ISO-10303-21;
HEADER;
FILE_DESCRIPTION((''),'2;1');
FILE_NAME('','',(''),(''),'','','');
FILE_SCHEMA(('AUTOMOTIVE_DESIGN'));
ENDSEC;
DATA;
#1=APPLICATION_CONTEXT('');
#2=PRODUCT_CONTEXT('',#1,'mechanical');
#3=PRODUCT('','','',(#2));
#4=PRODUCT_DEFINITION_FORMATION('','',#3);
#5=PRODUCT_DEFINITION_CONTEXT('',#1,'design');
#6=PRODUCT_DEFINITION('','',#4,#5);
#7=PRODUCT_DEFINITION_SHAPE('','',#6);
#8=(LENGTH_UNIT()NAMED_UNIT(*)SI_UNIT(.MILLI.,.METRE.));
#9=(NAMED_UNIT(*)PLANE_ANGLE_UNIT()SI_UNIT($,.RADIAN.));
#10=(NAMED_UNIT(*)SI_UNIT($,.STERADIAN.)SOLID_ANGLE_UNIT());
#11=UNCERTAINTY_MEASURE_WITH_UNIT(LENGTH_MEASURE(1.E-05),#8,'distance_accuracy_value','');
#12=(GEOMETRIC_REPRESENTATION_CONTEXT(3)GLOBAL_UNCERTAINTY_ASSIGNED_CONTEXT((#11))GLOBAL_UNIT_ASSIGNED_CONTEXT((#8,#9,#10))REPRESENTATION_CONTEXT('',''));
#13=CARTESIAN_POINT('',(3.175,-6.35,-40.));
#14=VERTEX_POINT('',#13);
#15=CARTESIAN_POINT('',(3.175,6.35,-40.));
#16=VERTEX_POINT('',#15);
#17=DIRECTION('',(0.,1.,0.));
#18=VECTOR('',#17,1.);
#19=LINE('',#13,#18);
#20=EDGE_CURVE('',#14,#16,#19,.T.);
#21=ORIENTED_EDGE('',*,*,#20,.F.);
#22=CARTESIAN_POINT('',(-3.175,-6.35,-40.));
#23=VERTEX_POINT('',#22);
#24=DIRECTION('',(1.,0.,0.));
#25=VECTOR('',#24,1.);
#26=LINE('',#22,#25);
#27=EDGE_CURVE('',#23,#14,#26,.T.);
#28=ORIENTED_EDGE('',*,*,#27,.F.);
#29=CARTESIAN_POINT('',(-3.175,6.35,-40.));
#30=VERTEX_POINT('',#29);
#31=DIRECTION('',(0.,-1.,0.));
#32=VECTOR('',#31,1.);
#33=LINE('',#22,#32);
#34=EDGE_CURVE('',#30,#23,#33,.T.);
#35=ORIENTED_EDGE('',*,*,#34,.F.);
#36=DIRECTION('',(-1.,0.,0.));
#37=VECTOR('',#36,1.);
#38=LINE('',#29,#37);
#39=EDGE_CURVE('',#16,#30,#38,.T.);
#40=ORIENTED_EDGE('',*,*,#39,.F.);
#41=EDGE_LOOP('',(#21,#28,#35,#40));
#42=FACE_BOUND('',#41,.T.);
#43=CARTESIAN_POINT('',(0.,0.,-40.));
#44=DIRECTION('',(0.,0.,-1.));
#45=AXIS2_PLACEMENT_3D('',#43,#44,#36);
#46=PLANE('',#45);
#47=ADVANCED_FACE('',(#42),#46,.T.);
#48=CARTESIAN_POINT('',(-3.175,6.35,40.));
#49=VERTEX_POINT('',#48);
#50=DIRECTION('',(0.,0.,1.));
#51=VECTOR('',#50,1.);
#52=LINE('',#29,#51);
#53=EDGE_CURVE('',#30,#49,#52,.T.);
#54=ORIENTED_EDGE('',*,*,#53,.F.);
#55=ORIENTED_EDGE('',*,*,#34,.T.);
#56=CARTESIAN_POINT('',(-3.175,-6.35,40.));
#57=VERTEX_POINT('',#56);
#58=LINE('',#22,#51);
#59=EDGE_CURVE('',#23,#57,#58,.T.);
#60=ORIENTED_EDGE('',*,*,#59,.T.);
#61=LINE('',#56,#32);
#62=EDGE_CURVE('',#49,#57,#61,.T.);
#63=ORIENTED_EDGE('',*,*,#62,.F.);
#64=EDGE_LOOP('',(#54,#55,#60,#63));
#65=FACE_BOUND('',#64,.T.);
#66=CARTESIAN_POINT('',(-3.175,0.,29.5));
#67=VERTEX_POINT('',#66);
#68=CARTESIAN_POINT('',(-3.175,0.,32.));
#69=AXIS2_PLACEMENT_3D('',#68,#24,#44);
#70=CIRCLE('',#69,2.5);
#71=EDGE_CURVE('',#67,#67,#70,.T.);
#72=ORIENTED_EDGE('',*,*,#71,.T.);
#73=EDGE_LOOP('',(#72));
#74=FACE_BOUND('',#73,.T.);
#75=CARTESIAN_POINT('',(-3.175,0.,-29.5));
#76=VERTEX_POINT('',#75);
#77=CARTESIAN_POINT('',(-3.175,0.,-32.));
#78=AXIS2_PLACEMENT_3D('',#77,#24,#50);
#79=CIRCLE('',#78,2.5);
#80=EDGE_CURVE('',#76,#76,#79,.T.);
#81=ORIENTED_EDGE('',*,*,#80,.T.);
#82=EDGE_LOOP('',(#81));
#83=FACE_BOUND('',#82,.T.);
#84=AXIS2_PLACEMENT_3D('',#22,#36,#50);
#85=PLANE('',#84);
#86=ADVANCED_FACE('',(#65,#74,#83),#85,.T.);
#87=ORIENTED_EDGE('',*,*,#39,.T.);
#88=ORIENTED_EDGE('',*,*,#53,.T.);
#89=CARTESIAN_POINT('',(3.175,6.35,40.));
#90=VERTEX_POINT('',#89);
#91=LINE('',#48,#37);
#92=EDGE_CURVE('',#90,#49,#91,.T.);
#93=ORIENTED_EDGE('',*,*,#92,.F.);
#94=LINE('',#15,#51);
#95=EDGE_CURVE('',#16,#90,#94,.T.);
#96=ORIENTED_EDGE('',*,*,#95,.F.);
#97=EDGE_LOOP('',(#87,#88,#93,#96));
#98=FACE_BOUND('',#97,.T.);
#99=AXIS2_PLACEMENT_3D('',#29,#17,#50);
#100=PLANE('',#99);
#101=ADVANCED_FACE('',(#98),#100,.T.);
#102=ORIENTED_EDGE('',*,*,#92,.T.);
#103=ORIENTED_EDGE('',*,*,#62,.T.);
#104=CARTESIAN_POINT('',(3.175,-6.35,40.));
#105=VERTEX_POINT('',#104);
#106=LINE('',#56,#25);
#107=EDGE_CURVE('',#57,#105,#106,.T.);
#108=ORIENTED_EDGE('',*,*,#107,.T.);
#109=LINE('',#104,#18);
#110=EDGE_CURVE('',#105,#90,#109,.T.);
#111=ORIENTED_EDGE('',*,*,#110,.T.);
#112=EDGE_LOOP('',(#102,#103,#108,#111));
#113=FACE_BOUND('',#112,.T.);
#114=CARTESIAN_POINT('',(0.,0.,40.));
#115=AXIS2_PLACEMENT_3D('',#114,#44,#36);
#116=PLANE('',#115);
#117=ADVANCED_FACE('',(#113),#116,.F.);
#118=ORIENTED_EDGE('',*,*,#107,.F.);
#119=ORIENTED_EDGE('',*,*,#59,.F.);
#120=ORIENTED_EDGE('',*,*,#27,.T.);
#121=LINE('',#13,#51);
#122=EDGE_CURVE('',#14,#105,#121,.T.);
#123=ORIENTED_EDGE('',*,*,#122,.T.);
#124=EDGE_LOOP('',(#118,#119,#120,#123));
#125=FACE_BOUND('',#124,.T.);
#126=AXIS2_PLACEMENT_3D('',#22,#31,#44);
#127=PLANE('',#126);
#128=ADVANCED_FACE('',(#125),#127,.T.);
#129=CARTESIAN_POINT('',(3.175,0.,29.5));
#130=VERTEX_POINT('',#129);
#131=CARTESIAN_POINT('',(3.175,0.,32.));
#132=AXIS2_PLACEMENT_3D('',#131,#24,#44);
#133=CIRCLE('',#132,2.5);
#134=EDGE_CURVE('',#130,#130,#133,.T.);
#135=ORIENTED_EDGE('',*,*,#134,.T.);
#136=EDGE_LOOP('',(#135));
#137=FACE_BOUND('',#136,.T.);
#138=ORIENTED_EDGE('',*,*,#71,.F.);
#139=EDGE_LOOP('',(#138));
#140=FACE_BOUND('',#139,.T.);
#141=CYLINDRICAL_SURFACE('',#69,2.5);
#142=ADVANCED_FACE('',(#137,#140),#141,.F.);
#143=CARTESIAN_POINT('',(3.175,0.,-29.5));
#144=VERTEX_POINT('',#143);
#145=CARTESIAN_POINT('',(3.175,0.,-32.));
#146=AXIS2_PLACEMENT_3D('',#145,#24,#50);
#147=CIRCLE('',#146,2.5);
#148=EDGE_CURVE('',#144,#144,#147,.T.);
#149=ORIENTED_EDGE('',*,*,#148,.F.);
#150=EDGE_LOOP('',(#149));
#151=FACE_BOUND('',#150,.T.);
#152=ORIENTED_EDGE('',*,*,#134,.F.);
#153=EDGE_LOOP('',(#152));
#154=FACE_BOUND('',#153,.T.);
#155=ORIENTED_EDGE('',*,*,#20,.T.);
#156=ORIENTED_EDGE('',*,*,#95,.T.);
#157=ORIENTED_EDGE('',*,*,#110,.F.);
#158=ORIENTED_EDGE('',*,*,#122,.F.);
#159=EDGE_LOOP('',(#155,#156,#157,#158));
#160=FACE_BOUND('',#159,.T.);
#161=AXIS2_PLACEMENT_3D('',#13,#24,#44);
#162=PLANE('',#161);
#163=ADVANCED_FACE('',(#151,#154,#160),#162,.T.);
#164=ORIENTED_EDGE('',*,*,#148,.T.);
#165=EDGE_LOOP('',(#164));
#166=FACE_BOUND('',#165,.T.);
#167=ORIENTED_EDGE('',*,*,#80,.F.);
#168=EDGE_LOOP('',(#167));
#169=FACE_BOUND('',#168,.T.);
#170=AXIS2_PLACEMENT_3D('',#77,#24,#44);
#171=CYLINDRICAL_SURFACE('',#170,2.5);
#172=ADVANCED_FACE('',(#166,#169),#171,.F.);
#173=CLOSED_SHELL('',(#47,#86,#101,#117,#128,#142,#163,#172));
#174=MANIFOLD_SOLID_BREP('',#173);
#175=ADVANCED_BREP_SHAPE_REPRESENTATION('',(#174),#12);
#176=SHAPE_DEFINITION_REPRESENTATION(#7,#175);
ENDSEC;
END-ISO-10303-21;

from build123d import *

# Parameters (mm, degrees)
BOSS_EXTRUDE1_DEPTH      = 40
BOSS_EXTRUDE1_DEPTH_BACK = 40
SKETCH2_W                = 6.35
SKETCH2_H                = 12.7
SKETCH4_R                = 2.5
CUT_EXTRUDE1_DEPTH       = 41.995670503


with BuildPart() as part:
    # Sketch2 → Boss-Extrude1 (new, two sides: drawn at the far end of the back side and taken through both)
    with BuildSketch(Plane.XY.offset(-BOSS_EXTRUDE1_DEPTH_BACK)):
        Rectangle(SKETCH2_W, SKETCH2_H)
    extrude(amount=BOSS_EXTRUDE1_DEPTH + BOSS_EXTRUDE1_DEPTH_BACK)

    # Sketch4 → Cut-Extrude1 (cut, through all)
    with BuildSketch(Plane(origin=(3.175, 0, 0), x_dir=(0, 0, -1), z_dir=(1, 0, 0))):
        with Locations((-32, 0)):
            Circle(SKETCH4_R)
        with Locations((32, 0)):
            Circle(SKETCH4_R)
    extrude(amount=-CUT_EXTRUDE1_DEPTH, mode=Mode.SUBTRACT)


solid = part.part
